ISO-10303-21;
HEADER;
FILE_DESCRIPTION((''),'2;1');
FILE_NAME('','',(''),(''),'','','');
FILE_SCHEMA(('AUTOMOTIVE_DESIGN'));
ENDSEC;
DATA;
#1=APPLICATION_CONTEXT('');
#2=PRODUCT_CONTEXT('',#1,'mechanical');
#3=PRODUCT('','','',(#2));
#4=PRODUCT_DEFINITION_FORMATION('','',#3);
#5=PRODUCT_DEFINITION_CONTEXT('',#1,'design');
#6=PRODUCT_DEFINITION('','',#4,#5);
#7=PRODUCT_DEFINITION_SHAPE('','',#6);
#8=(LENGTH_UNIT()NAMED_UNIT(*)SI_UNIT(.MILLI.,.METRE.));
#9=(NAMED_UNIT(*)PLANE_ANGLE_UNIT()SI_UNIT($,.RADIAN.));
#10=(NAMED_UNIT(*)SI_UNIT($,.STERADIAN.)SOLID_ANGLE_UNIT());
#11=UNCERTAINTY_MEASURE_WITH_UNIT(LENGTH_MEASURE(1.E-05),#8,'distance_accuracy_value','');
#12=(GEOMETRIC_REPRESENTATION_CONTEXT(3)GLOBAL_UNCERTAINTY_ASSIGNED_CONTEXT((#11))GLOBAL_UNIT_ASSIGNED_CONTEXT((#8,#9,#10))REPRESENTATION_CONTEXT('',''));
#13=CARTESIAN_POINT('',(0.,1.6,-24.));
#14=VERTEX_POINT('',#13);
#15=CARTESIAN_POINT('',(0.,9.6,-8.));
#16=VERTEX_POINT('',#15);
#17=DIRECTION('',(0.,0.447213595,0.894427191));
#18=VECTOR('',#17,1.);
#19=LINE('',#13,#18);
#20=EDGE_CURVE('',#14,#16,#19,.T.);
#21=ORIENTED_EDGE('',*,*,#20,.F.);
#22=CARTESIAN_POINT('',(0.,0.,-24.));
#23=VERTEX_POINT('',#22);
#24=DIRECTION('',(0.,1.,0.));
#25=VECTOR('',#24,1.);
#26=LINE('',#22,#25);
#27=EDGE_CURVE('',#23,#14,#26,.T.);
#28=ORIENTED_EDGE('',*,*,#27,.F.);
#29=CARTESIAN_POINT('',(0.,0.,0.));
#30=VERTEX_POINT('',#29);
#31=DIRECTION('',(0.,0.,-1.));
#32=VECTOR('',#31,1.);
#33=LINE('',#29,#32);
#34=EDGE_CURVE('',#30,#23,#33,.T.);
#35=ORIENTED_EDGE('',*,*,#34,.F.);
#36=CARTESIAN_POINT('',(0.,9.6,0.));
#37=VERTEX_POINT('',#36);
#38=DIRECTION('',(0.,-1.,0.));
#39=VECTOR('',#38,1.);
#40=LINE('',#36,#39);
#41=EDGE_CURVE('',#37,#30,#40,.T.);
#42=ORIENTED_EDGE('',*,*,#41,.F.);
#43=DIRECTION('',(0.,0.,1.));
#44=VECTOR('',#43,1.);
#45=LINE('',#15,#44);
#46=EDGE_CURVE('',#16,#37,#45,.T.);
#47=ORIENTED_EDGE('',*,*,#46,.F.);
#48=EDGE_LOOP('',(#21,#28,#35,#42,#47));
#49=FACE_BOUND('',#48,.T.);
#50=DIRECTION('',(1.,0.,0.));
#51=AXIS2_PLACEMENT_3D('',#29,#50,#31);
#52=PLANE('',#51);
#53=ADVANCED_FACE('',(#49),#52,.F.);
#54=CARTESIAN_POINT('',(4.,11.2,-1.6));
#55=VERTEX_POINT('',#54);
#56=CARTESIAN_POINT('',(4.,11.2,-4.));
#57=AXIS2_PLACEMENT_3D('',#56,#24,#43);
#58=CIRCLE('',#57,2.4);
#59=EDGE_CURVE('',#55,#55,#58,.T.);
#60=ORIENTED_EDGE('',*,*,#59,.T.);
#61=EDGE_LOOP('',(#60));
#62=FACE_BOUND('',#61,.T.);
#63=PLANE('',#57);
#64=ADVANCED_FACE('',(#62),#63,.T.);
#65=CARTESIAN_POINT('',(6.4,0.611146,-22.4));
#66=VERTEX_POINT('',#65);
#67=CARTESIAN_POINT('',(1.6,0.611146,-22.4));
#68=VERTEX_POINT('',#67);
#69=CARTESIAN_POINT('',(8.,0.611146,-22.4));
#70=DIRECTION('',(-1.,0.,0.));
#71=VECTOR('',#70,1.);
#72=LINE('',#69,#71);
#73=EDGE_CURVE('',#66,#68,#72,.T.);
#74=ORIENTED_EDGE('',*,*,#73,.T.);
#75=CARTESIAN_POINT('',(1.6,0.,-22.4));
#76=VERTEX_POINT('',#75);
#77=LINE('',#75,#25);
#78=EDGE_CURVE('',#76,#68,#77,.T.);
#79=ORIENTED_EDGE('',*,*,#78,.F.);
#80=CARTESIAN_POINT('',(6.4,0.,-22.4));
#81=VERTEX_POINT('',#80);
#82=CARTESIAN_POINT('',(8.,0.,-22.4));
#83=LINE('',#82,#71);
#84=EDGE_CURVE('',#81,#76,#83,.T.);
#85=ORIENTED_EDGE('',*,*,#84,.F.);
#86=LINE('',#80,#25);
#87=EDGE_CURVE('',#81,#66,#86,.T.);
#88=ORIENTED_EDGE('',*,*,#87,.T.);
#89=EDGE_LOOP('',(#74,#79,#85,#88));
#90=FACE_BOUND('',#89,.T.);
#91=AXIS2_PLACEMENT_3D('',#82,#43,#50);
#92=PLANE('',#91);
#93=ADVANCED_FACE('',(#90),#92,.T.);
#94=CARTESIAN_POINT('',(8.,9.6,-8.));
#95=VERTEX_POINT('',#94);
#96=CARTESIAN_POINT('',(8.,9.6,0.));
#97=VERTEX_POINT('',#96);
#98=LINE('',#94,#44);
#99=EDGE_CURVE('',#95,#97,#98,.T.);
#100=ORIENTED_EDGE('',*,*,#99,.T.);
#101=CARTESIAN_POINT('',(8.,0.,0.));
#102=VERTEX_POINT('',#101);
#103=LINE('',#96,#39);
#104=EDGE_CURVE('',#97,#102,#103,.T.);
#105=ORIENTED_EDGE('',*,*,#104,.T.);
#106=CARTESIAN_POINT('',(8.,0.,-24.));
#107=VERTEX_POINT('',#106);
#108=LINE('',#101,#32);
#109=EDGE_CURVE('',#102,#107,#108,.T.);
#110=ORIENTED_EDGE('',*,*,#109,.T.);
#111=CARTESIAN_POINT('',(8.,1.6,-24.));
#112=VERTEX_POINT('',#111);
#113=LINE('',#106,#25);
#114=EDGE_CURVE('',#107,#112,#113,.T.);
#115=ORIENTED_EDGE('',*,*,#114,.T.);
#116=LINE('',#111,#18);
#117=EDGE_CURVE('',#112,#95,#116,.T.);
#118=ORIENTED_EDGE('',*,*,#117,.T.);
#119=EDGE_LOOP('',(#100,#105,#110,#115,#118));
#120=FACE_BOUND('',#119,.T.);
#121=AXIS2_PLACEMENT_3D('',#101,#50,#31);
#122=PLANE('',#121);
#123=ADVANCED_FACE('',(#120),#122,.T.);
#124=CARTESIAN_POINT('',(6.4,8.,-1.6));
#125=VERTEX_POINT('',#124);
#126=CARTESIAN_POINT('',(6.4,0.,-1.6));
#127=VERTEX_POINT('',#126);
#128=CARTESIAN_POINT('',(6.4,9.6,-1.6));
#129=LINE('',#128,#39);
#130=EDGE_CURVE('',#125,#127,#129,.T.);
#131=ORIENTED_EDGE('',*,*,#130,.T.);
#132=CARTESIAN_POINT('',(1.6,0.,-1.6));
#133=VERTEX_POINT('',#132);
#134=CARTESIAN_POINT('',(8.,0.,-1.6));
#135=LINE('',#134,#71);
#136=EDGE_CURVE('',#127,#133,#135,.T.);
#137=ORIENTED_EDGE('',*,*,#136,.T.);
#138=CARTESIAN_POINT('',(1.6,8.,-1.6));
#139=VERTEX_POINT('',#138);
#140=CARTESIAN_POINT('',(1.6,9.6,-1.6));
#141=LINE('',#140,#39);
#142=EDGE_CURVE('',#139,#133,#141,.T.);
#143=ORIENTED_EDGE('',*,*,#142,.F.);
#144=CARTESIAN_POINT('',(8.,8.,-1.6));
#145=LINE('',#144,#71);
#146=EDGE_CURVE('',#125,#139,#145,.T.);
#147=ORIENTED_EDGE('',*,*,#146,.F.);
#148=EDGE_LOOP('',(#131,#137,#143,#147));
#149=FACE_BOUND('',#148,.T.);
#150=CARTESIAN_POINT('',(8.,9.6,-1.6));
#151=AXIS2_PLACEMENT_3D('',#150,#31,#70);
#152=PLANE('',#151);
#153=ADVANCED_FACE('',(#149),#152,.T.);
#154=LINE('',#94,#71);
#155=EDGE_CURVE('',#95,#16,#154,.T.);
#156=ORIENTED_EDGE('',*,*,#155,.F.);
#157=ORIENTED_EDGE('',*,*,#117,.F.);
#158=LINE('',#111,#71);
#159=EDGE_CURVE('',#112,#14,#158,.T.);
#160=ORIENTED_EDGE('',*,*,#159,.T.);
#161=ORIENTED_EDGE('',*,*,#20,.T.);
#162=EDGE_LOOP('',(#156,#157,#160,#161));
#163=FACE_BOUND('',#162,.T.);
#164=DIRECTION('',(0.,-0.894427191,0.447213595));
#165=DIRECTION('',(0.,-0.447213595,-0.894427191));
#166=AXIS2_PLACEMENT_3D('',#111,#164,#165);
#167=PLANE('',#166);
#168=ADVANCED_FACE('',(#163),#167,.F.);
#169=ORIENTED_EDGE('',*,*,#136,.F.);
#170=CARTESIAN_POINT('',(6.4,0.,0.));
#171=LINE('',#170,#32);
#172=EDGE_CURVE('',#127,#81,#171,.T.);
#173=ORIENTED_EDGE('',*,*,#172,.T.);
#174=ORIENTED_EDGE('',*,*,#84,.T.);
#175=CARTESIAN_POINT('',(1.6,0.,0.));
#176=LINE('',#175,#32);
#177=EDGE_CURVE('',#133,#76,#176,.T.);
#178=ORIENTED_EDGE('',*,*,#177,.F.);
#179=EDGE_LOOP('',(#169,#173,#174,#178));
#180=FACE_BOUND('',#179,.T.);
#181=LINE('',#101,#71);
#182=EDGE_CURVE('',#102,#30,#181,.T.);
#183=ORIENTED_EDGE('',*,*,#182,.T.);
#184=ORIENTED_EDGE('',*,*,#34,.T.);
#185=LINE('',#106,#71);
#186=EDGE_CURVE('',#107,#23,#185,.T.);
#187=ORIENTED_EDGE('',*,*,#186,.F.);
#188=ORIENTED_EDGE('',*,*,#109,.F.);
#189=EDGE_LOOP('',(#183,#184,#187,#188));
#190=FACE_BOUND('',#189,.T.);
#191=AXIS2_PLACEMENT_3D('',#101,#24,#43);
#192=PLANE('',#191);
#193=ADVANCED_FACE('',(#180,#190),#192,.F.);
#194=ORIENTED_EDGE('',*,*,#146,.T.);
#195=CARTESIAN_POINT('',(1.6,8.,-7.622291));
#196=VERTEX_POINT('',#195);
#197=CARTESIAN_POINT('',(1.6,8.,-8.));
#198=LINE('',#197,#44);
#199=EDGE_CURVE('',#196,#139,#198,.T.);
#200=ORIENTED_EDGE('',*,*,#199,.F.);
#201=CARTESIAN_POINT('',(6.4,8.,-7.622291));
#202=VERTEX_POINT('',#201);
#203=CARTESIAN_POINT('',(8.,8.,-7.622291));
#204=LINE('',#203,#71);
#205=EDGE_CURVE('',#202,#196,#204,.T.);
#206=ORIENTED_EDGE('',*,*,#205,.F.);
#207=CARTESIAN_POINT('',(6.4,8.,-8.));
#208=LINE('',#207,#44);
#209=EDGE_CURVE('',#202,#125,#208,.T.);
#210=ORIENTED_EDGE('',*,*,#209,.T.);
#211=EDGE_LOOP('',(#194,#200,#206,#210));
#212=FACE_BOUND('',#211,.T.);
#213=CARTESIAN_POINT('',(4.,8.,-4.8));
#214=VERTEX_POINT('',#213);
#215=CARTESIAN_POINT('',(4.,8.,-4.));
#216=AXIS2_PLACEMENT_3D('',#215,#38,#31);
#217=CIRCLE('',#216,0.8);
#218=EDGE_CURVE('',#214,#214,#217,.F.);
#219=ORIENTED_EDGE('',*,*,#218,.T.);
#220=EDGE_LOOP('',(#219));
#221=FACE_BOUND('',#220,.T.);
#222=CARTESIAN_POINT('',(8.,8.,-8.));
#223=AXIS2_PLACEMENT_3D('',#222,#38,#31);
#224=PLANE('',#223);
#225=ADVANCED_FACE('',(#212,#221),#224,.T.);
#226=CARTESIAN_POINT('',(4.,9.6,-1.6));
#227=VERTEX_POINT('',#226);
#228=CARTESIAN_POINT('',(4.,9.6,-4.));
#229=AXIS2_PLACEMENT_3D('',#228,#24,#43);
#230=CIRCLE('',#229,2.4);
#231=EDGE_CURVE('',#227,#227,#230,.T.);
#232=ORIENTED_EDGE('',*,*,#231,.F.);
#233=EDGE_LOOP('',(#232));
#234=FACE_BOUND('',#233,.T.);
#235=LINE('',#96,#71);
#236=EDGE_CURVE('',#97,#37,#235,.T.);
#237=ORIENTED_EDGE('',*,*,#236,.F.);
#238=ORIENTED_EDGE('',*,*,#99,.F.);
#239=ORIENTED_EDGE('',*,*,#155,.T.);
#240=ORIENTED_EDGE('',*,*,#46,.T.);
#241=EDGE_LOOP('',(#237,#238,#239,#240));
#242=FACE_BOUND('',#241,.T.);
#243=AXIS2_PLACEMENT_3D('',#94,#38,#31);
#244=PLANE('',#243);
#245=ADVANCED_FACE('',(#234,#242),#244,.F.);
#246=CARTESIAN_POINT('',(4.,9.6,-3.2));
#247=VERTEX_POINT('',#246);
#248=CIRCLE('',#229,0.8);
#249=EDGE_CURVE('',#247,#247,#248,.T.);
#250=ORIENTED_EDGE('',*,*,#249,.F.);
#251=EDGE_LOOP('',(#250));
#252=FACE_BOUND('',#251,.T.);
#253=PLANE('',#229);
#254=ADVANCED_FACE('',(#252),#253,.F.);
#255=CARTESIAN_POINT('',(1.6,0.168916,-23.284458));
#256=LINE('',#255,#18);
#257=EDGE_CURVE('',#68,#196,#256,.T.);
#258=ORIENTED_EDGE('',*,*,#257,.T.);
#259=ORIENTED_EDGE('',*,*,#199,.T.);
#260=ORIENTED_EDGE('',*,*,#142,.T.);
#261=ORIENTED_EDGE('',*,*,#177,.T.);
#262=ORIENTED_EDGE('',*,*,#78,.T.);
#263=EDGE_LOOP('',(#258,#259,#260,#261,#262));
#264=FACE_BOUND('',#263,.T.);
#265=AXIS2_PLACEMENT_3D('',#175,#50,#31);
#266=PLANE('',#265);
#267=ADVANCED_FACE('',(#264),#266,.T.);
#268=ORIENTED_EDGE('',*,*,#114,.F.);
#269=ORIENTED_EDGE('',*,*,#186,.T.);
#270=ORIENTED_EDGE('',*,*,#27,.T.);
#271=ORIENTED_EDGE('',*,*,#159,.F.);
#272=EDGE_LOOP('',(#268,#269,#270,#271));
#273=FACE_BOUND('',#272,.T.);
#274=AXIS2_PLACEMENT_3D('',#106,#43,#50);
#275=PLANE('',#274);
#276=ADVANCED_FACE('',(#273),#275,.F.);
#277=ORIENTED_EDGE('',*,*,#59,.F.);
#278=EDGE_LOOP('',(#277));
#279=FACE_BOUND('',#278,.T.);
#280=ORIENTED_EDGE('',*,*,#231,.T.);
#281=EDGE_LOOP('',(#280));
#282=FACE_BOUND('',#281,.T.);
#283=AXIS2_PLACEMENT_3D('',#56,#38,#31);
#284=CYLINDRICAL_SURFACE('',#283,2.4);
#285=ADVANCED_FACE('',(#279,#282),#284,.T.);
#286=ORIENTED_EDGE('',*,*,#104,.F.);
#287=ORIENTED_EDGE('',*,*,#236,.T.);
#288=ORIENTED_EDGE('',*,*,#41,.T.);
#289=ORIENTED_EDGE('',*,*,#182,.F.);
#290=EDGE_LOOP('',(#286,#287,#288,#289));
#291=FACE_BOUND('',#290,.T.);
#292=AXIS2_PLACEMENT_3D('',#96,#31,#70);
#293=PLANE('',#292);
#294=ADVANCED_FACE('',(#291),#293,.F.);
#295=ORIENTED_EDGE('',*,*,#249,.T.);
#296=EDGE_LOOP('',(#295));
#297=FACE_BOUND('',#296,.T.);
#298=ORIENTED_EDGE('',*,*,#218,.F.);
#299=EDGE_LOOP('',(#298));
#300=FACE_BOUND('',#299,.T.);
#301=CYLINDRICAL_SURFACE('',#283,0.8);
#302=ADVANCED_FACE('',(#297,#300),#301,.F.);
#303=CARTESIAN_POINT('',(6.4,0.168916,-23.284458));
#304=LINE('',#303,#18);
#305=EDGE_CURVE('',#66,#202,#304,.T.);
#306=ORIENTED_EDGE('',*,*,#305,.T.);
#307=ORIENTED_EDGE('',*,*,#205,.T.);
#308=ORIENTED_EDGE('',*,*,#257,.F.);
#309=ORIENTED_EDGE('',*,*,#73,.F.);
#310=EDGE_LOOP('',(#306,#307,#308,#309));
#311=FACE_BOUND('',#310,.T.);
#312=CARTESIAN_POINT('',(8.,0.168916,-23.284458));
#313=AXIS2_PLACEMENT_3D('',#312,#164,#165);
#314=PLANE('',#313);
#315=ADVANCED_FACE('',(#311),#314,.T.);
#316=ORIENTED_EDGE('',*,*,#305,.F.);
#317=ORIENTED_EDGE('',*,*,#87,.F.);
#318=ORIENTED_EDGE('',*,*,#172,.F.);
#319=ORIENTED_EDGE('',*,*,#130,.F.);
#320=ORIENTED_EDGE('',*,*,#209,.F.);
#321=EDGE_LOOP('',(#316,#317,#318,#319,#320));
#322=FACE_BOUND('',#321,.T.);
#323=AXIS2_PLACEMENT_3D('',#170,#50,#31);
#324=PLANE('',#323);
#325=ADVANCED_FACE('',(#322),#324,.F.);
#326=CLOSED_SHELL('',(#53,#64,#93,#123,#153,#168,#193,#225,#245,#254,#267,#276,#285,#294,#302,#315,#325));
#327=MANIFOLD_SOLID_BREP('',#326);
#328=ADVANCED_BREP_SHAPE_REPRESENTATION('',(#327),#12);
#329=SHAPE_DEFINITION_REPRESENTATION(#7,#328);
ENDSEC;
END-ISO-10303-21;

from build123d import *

# Parameters (mm, degrees)
BOSS_EXTRUDE1_DEPTH = 8
SKETCH2_R           = 2.4
BOSS_EXTRUDE2_DEPTH = 1.6
SHELL1_T            = -1.6


with BuildPart() as part:
    # Sketch1 → Boss-Extrude1 (new body)
    with BuildSketch(Plane(origin=(0, 0, 0), x_dir=(0, 0, -1), z_dir=(1, 0, 0))):
        Polygon((0, 0), (24, 0), (24, 1.6), (8, 9.6), (0, 9.6), align=None)
    extrude(amount=BOSS_EXTRUDE1_DEPTH)

    # Sketch2 → Boss-Extrude2 (add)
    with BuildSketch(Plane(origin=(0, 9.6, 0), x_dir=(1, 0, 0), z_dir=(0, 1, 0))):
        with Locations(Location((4, 4, 0), (0, 0, 270))):
            Circle(SKETCH2_R)
    extrude(amount=BOSS_EXTRUDE2_DEPTH)

    # Shell1
    shell1_openings = [part.faces().sort_by_distance(p)[0] for p in [
        (4, 0, -12),
    ]]
    offset(amount=SHELL1_T, openings=shell1_openings, kind=Kind.INTERSECTION)


solid = part.part
